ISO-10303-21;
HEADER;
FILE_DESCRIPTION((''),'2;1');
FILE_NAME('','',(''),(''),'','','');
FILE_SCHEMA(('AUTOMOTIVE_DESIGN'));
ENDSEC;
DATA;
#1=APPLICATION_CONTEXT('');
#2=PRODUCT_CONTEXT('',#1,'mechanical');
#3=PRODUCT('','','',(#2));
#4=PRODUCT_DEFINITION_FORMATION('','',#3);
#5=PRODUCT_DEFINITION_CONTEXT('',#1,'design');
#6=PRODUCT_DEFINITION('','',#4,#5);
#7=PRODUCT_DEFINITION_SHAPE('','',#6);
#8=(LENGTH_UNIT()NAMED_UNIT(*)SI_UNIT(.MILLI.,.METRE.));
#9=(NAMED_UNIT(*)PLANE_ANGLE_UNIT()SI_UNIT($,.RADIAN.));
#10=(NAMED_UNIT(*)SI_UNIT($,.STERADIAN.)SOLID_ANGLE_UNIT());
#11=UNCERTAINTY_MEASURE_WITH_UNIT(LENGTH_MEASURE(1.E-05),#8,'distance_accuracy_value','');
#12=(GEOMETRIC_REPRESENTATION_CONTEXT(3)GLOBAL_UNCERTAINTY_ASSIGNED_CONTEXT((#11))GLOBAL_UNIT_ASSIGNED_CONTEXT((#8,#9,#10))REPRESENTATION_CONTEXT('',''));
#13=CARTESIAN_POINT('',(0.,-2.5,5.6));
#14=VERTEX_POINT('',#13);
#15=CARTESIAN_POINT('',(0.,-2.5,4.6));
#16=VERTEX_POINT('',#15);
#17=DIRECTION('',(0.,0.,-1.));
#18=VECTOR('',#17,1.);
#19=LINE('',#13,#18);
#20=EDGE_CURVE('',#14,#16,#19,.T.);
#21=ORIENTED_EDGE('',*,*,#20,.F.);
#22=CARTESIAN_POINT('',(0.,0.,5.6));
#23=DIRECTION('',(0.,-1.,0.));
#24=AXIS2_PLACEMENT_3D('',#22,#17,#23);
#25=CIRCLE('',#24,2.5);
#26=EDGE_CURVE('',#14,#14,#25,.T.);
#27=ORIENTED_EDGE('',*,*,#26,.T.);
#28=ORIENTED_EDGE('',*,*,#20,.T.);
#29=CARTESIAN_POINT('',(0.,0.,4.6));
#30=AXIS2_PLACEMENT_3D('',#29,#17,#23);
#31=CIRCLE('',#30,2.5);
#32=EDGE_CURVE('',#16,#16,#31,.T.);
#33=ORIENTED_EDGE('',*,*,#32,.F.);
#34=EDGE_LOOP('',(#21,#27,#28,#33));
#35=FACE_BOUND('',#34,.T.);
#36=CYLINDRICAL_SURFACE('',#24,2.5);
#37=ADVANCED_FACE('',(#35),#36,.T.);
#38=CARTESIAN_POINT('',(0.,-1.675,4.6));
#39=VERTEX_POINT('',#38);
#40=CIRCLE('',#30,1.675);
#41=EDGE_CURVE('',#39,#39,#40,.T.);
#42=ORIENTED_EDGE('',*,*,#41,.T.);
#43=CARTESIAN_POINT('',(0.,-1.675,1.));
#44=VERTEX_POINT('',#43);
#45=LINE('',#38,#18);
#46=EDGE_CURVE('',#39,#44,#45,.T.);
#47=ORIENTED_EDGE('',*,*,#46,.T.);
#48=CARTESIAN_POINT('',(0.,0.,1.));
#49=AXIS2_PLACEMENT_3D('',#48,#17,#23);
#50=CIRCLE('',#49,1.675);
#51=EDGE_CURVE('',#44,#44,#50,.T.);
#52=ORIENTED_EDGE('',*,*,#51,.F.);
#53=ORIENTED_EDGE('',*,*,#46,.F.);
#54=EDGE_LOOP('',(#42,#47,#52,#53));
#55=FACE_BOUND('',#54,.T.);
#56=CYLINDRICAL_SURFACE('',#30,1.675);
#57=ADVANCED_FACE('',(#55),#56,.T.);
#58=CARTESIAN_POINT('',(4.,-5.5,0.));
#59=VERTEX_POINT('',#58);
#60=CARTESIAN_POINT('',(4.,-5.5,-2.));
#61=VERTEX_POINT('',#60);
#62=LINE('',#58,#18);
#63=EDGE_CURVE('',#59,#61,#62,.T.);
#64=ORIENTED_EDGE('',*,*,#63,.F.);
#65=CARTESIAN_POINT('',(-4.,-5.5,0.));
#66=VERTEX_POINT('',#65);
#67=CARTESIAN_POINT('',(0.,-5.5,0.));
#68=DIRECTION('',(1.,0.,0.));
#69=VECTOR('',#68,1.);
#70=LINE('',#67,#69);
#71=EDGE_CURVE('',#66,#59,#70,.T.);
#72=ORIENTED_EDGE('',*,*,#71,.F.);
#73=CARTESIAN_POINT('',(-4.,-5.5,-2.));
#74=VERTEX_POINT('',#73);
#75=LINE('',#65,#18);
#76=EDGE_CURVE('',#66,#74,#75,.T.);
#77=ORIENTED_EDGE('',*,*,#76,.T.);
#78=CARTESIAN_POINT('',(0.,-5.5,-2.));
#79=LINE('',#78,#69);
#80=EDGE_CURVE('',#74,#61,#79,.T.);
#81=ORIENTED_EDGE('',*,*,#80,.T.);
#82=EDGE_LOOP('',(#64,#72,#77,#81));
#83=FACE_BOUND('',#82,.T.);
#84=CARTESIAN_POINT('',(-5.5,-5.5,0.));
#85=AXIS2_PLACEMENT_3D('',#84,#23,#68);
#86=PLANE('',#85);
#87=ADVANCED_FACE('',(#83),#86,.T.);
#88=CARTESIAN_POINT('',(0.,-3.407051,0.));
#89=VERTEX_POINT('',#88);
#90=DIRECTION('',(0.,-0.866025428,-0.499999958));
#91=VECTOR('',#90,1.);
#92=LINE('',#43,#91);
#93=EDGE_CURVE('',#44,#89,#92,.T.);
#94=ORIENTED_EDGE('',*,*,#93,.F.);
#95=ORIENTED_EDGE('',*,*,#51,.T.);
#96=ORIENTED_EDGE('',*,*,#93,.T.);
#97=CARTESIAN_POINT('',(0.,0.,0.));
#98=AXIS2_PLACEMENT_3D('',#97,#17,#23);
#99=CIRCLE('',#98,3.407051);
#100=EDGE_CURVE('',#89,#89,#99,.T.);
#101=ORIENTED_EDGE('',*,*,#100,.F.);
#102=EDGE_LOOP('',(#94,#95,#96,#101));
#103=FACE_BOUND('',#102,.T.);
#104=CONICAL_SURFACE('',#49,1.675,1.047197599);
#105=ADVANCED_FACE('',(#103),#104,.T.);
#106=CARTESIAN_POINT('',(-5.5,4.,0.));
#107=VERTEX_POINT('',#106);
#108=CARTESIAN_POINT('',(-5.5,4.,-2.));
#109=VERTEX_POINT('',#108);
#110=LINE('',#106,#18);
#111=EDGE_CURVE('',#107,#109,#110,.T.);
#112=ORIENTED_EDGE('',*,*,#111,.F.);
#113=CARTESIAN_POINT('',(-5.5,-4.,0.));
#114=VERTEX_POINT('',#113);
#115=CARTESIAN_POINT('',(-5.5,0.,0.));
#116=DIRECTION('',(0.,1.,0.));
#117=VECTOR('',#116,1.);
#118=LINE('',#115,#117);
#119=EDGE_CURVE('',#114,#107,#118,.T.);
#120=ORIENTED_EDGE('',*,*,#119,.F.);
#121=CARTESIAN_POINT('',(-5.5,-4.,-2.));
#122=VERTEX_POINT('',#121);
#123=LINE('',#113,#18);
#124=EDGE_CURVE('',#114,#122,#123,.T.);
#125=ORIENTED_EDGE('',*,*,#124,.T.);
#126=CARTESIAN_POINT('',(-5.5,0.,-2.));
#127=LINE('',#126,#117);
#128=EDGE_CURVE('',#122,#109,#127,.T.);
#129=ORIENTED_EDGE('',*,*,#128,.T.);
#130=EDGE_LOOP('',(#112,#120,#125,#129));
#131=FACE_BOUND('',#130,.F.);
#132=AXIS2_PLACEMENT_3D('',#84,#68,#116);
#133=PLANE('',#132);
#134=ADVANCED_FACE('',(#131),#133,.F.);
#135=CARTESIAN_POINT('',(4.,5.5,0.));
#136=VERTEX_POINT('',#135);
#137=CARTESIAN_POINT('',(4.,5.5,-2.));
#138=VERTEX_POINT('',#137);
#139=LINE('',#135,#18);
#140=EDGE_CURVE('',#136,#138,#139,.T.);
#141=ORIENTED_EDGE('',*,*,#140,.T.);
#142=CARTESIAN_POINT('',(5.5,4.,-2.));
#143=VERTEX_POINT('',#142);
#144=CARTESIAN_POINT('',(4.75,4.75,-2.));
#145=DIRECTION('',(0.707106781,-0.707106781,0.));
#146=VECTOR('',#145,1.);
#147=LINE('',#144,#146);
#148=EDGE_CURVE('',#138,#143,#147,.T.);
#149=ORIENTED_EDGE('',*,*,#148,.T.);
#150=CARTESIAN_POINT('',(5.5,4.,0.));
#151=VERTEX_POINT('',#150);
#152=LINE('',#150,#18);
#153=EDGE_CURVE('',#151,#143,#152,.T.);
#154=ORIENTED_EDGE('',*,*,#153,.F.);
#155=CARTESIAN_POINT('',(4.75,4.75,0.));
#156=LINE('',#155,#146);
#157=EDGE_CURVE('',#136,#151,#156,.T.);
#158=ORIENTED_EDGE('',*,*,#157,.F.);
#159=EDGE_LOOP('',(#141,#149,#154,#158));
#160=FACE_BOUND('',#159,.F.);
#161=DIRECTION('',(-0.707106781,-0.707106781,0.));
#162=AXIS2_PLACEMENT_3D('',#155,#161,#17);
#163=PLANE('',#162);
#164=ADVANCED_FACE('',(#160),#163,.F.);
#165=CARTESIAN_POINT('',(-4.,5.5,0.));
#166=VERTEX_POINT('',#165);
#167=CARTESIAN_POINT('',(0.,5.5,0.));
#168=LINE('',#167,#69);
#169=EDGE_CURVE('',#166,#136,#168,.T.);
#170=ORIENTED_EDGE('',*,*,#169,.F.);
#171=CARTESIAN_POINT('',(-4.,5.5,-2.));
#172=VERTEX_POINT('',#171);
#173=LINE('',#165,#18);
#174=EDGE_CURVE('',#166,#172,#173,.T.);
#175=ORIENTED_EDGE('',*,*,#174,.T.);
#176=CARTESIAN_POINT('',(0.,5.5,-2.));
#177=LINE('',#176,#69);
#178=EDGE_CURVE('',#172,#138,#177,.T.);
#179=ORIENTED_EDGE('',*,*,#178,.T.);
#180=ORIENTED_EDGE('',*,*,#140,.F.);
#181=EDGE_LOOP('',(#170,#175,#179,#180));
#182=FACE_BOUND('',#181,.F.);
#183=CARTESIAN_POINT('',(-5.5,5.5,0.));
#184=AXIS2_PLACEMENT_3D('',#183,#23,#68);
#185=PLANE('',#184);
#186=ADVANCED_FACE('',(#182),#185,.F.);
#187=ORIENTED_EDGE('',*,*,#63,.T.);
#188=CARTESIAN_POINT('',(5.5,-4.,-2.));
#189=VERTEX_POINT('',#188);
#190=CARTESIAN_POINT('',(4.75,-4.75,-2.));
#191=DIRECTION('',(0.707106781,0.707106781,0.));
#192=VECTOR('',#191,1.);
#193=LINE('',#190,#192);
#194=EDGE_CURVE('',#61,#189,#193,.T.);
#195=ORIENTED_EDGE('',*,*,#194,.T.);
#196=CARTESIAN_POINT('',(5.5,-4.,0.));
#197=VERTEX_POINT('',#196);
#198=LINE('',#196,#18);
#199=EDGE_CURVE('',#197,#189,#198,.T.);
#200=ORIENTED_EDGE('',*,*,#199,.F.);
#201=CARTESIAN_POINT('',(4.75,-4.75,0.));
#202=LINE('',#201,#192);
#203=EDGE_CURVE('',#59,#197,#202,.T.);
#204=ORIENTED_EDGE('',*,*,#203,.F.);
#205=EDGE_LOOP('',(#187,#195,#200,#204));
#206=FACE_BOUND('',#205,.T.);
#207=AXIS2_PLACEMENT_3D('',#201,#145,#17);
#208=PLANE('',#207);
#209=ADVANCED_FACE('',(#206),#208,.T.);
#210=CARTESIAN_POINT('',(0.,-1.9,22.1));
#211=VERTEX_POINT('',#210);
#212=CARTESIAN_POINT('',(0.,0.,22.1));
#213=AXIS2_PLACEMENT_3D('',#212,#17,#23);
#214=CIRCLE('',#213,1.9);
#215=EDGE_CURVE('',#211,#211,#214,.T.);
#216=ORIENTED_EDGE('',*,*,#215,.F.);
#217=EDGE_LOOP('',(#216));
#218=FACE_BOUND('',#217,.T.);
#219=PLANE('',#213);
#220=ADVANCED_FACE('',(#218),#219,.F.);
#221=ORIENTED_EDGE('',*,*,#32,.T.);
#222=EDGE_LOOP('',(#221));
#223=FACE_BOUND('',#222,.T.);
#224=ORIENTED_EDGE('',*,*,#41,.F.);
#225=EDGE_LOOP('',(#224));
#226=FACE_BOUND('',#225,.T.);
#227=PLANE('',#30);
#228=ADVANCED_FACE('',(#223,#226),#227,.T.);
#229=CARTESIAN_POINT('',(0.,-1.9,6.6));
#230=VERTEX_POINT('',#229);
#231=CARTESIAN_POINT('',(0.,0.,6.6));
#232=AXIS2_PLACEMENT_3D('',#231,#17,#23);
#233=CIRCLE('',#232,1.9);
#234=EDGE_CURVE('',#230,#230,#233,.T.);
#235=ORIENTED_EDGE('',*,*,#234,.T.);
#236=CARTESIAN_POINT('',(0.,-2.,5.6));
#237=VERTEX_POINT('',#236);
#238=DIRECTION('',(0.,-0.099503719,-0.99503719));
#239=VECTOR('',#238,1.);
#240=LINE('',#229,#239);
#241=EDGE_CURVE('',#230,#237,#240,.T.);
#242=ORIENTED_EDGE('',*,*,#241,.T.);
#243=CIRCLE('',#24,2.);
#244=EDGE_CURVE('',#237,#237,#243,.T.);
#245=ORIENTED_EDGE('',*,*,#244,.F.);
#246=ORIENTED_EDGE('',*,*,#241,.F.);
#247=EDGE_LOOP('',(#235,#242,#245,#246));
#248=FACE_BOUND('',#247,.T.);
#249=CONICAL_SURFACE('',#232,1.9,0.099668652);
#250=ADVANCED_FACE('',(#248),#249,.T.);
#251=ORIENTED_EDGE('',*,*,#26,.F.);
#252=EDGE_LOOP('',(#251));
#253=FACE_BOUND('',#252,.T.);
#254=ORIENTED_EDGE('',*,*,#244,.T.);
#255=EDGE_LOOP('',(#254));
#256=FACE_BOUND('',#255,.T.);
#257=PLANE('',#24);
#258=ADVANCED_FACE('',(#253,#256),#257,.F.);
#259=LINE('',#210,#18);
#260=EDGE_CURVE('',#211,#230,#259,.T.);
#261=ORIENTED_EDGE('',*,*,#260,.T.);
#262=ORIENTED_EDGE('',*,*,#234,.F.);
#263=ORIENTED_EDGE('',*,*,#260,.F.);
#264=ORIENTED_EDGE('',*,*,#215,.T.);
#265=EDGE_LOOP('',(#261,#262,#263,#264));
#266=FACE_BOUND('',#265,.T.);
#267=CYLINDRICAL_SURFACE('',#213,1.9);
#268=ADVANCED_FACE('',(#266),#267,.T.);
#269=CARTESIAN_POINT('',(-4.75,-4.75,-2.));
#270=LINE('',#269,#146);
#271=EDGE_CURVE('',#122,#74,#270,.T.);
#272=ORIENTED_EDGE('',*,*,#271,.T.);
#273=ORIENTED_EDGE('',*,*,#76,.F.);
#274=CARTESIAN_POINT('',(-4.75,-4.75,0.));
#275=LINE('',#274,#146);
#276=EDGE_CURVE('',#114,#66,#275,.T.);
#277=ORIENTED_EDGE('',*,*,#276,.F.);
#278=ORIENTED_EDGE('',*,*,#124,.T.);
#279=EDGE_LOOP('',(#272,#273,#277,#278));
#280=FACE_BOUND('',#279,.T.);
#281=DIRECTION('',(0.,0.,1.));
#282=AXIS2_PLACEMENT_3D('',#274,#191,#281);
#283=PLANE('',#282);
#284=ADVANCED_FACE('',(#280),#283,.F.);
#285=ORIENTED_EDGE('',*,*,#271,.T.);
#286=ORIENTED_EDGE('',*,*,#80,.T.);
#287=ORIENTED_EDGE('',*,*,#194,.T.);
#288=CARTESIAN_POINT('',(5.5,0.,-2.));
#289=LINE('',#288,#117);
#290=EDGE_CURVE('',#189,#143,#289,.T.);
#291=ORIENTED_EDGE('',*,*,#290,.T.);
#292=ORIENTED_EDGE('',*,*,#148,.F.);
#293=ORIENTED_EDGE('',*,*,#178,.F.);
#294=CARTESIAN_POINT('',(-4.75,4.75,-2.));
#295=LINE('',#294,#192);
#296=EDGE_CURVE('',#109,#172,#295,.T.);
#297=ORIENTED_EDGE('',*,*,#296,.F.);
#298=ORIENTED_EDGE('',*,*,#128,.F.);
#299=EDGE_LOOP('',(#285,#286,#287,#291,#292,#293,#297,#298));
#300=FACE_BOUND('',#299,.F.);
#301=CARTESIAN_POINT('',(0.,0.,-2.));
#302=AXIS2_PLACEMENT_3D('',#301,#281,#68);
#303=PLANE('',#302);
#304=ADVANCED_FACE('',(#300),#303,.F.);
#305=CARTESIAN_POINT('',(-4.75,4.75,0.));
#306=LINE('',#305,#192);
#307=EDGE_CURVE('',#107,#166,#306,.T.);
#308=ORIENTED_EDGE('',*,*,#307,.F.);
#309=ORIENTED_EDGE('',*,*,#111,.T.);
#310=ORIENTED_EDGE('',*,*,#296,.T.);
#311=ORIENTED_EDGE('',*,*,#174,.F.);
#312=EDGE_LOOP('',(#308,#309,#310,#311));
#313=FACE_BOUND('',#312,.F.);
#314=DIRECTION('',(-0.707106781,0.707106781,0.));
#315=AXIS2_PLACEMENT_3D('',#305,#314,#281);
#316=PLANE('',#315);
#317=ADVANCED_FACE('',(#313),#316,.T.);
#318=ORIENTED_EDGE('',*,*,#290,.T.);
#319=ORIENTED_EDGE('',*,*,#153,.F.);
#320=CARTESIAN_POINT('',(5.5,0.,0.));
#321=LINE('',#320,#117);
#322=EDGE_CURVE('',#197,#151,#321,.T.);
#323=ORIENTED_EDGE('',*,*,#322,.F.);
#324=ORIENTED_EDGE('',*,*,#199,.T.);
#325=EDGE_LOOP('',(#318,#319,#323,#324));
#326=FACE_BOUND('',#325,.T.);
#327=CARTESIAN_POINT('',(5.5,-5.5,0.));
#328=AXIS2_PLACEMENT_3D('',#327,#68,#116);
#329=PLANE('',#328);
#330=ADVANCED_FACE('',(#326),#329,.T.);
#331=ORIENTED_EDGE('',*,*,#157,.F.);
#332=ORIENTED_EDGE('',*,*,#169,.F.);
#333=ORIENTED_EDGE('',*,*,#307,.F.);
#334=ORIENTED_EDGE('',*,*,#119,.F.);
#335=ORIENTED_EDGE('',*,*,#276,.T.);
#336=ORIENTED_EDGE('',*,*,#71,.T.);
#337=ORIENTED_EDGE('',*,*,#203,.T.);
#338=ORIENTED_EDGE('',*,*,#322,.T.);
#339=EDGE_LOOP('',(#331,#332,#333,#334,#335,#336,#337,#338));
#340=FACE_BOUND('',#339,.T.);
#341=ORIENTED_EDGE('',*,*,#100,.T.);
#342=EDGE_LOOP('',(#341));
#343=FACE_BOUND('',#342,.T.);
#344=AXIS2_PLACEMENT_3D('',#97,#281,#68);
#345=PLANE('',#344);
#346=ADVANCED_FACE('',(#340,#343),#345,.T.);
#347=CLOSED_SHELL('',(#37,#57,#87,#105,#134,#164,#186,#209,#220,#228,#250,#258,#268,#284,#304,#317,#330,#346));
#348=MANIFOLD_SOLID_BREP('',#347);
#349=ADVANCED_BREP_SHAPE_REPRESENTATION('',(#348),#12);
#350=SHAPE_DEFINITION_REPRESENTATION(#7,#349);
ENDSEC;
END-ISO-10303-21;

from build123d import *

# Parameters (mm, degrees)
F2_W     = 11
F2_H     = 11
F3_DEPTH = 2
F4_SIZE  = 1.5


with BuildPart() as f1:
    # F0 (on Right) → F1 (revolve)
    with BuildSketch(Plane.YZ):
        Polygon((-1.675, 1), (-3.407051, 0), (0, 0), (0, 22.1), (-1.9, 22.1), (-1.9, 6.6), (-2, 5.6), (-2.5, 5.6), (-2.5, 4.6), (-1.675, 4.6), align=None)
    revolve(axis=Axis((0, 0, 11.05), (0, 0, -1)))

    # F2 (on Top) → F3 (join)
    with BuildSketch(Plane.XY):
        Rectangle(F2_W, F2_H)
    extrude(amount=-F3_DEPTH)

    # F4
    f4_edges = [f1.edges().sort_by_distance(p)[0] for p in [
        (-5.5, 5.5, -1),
        (5.5, 5.5, -1),
        (5.5, -5.5, -1),
        (-5.5, -5.5, -1),
    ]]
    chamfer(f4_edges, length=F4_SIZE)


solid = f1.part
